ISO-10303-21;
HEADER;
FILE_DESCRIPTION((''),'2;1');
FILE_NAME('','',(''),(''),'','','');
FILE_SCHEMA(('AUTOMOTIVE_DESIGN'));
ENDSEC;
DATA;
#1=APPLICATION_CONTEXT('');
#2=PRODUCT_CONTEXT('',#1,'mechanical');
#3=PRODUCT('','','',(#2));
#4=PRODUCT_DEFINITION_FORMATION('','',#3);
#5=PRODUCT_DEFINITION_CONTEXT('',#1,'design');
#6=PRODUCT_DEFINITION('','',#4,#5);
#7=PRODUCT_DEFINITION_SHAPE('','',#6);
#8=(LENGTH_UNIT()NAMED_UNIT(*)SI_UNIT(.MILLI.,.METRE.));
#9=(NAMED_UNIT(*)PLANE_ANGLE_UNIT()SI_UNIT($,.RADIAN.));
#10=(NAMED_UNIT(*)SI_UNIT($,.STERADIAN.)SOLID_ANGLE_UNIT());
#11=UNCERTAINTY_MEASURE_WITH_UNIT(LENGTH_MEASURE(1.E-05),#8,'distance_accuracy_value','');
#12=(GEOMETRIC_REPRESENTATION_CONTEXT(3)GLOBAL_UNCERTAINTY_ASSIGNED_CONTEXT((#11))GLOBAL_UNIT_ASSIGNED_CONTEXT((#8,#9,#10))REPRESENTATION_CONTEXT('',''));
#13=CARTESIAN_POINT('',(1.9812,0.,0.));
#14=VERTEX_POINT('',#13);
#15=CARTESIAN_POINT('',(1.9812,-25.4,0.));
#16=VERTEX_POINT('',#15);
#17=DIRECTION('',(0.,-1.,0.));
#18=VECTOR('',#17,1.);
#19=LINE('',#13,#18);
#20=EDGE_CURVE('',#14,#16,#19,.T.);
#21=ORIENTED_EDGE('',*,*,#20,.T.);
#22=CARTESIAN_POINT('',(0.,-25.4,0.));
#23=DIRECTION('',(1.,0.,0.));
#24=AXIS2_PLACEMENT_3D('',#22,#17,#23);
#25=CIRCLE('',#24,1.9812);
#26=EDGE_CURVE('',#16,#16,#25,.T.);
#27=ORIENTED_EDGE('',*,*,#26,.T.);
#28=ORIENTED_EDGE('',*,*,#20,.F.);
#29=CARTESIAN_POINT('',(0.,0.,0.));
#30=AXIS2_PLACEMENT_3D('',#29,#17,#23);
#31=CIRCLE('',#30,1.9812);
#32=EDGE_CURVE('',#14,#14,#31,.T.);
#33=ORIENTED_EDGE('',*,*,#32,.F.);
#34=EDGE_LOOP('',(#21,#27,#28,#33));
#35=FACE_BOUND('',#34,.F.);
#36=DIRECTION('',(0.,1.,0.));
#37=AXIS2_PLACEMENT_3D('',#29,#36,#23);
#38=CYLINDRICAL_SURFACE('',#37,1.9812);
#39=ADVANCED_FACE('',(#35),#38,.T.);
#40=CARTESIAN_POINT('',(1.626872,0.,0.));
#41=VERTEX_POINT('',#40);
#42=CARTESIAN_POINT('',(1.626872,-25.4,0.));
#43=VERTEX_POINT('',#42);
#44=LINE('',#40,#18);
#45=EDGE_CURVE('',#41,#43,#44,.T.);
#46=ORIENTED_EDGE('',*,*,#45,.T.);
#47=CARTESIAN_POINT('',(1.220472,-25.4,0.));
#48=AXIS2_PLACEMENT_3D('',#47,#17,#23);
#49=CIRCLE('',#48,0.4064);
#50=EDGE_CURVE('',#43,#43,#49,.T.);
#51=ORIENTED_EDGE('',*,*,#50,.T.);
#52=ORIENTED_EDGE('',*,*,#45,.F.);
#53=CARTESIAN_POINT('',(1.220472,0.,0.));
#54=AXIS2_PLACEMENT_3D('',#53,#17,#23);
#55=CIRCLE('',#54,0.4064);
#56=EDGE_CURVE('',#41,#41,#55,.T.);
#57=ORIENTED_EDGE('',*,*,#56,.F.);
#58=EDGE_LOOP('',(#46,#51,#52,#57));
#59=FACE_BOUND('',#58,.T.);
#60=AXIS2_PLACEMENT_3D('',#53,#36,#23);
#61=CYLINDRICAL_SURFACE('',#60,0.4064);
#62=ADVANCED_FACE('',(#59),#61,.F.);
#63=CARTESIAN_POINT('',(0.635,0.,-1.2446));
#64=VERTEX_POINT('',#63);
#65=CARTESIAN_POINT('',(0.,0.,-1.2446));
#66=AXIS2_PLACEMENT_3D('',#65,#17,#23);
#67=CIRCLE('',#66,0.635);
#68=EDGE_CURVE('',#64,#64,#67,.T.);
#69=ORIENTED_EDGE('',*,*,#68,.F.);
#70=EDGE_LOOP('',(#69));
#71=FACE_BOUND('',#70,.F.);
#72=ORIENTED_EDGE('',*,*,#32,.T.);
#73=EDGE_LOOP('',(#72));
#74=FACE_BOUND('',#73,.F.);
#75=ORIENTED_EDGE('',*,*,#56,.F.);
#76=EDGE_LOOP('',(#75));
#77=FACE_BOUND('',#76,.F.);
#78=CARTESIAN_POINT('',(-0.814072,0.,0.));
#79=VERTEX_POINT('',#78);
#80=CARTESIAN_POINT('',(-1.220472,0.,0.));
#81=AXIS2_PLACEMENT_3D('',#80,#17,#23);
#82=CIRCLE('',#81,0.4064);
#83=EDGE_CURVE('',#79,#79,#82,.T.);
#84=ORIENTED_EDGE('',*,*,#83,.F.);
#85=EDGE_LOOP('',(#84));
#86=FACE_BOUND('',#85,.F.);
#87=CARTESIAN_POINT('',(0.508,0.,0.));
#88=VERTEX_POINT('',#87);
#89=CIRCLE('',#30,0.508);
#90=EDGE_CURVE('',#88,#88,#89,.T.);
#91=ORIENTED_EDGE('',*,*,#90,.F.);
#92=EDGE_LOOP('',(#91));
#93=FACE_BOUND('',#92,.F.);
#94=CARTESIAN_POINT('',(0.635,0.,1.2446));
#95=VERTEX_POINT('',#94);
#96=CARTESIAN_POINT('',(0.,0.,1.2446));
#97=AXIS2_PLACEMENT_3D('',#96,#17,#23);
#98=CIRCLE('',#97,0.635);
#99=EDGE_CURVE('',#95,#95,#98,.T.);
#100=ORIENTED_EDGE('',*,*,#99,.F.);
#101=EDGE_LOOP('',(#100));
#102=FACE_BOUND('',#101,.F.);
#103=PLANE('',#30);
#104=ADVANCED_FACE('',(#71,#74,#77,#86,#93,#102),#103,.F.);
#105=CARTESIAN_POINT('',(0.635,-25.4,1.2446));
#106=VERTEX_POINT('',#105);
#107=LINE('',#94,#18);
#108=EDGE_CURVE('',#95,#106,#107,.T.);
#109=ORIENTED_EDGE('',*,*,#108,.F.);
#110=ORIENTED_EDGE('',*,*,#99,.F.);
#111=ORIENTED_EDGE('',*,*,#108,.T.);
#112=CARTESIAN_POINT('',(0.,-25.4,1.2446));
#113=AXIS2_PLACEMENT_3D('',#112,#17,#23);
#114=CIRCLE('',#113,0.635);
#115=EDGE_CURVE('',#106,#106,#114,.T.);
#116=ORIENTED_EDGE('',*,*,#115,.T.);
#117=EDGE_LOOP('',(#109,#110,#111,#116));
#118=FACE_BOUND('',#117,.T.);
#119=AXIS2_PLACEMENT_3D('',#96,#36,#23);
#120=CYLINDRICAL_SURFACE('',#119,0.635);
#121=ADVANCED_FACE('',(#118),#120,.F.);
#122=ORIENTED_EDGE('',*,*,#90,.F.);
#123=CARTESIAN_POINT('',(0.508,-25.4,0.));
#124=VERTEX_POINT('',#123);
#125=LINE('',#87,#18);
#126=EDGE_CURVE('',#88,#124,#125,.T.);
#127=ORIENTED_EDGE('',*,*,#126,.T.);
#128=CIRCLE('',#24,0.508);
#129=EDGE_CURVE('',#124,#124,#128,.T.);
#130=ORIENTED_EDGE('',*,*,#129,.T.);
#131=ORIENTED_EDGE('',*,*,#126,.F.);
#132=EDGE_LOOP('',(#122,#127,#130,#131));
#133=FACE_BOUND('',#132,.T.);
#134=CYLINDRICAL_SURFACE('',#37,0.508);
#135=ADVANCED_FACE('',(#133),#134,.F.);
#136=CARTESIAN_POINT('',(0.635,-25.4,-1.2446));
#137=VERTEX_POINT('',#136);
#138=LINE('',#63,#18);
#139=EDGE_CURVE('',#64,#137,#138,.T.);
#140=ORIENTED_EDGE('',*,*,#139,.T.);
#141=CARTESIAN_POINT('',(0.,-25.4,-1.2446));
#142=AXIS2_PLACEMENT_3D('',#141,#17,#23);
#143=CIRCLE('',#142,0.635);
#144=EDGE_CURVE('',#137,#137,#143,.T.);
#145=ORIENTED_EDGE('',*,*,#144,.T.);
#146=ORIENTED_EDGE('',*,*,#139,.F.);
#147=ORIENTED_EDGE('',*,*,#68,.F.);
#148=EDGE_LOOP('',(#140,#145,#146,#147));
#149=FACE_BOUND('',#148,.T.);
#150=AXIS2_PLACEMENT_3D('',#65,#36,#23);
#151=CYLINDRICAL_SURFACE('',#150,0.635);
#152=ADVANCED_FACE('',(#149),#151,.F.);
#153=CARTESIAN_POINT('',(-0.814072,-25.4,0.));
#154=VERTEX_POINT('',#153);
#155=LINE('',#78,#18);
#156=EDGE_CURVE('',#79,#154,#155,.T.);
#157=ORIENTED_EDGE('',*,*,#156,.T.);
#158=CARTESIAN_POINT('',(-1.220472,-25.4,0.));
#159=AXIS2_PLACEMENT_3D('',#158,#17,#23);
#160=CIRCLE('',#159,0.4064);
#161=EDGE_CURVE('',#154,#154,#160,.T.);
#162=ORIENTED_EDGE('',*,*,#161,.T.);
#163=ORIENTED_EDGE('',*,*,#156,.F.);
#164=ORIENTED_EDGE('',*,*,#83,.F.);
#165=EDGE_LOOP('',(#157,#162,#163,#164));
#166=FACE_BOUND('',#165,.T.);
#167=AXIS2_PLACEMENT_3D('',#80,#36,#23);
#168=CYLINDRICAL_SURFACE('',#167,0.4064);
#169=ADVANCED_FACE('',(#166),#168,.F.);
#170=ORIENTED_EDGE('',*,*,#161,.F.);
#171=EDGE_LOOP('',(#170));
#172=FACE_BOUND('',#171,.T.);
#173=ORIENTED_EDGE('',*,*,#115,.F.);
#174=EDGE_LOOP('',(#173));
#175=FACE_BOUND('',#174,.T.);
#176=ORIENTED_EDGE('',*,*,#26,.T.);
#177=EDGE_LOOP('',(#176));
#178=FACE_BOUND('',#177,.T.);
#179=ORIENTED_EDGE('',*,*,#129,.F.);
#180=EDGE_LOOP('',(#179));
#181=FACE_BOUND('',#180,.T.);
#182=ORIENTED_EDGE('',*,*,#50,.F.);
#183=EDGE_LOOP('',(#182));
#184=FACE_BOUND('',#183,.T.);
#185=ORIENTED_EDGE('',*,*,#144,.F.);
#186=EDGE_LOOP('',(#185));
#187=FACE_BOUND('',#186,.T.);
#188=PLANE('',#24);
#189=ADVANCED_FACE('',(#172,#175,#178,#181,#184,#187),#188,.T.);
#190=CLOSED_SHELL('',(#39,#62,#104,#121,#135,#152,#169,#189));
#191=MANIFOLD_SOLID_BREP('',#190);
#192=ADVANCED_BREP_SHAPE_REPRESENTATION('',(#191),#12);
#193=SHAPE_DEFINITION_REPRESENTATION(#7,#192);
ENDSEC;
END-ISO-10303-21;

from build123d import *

# Parameters (mm, degrees)
F0_R     = 1.9812
F0_R_2   = 0.635
F0_R_3   = 0.4064
F0_R_4   = 0.508
F1_DEPTH = 25.4


with BuildPart() as f1:
    # F0 (on Front) → F1 (new body)
    with BuildSketch(Plane.XZ):
        Circle(F0_R)
        with Locations((0, -1.2446)):
            Circle(F0_R_2, mode=Mode.SUBTRACT)
        with Locations((-1.220472, 0)):
            Circle(F0_R_3, mode=Mode.SUBTRACT)
        Circle(F0_R_4, mode=Mode.SUBTRACT)
        with Locations((1.220472, 0)):
            Circle(F0_R_3, mode=Mode.SUBTRACT)
        with Locations((0, 1.2446)):
            Circle(F0_R_2, mode=Mode.SUBTRACT)
    extrude(amount=F1_DEPTH)


solid = f1.part
